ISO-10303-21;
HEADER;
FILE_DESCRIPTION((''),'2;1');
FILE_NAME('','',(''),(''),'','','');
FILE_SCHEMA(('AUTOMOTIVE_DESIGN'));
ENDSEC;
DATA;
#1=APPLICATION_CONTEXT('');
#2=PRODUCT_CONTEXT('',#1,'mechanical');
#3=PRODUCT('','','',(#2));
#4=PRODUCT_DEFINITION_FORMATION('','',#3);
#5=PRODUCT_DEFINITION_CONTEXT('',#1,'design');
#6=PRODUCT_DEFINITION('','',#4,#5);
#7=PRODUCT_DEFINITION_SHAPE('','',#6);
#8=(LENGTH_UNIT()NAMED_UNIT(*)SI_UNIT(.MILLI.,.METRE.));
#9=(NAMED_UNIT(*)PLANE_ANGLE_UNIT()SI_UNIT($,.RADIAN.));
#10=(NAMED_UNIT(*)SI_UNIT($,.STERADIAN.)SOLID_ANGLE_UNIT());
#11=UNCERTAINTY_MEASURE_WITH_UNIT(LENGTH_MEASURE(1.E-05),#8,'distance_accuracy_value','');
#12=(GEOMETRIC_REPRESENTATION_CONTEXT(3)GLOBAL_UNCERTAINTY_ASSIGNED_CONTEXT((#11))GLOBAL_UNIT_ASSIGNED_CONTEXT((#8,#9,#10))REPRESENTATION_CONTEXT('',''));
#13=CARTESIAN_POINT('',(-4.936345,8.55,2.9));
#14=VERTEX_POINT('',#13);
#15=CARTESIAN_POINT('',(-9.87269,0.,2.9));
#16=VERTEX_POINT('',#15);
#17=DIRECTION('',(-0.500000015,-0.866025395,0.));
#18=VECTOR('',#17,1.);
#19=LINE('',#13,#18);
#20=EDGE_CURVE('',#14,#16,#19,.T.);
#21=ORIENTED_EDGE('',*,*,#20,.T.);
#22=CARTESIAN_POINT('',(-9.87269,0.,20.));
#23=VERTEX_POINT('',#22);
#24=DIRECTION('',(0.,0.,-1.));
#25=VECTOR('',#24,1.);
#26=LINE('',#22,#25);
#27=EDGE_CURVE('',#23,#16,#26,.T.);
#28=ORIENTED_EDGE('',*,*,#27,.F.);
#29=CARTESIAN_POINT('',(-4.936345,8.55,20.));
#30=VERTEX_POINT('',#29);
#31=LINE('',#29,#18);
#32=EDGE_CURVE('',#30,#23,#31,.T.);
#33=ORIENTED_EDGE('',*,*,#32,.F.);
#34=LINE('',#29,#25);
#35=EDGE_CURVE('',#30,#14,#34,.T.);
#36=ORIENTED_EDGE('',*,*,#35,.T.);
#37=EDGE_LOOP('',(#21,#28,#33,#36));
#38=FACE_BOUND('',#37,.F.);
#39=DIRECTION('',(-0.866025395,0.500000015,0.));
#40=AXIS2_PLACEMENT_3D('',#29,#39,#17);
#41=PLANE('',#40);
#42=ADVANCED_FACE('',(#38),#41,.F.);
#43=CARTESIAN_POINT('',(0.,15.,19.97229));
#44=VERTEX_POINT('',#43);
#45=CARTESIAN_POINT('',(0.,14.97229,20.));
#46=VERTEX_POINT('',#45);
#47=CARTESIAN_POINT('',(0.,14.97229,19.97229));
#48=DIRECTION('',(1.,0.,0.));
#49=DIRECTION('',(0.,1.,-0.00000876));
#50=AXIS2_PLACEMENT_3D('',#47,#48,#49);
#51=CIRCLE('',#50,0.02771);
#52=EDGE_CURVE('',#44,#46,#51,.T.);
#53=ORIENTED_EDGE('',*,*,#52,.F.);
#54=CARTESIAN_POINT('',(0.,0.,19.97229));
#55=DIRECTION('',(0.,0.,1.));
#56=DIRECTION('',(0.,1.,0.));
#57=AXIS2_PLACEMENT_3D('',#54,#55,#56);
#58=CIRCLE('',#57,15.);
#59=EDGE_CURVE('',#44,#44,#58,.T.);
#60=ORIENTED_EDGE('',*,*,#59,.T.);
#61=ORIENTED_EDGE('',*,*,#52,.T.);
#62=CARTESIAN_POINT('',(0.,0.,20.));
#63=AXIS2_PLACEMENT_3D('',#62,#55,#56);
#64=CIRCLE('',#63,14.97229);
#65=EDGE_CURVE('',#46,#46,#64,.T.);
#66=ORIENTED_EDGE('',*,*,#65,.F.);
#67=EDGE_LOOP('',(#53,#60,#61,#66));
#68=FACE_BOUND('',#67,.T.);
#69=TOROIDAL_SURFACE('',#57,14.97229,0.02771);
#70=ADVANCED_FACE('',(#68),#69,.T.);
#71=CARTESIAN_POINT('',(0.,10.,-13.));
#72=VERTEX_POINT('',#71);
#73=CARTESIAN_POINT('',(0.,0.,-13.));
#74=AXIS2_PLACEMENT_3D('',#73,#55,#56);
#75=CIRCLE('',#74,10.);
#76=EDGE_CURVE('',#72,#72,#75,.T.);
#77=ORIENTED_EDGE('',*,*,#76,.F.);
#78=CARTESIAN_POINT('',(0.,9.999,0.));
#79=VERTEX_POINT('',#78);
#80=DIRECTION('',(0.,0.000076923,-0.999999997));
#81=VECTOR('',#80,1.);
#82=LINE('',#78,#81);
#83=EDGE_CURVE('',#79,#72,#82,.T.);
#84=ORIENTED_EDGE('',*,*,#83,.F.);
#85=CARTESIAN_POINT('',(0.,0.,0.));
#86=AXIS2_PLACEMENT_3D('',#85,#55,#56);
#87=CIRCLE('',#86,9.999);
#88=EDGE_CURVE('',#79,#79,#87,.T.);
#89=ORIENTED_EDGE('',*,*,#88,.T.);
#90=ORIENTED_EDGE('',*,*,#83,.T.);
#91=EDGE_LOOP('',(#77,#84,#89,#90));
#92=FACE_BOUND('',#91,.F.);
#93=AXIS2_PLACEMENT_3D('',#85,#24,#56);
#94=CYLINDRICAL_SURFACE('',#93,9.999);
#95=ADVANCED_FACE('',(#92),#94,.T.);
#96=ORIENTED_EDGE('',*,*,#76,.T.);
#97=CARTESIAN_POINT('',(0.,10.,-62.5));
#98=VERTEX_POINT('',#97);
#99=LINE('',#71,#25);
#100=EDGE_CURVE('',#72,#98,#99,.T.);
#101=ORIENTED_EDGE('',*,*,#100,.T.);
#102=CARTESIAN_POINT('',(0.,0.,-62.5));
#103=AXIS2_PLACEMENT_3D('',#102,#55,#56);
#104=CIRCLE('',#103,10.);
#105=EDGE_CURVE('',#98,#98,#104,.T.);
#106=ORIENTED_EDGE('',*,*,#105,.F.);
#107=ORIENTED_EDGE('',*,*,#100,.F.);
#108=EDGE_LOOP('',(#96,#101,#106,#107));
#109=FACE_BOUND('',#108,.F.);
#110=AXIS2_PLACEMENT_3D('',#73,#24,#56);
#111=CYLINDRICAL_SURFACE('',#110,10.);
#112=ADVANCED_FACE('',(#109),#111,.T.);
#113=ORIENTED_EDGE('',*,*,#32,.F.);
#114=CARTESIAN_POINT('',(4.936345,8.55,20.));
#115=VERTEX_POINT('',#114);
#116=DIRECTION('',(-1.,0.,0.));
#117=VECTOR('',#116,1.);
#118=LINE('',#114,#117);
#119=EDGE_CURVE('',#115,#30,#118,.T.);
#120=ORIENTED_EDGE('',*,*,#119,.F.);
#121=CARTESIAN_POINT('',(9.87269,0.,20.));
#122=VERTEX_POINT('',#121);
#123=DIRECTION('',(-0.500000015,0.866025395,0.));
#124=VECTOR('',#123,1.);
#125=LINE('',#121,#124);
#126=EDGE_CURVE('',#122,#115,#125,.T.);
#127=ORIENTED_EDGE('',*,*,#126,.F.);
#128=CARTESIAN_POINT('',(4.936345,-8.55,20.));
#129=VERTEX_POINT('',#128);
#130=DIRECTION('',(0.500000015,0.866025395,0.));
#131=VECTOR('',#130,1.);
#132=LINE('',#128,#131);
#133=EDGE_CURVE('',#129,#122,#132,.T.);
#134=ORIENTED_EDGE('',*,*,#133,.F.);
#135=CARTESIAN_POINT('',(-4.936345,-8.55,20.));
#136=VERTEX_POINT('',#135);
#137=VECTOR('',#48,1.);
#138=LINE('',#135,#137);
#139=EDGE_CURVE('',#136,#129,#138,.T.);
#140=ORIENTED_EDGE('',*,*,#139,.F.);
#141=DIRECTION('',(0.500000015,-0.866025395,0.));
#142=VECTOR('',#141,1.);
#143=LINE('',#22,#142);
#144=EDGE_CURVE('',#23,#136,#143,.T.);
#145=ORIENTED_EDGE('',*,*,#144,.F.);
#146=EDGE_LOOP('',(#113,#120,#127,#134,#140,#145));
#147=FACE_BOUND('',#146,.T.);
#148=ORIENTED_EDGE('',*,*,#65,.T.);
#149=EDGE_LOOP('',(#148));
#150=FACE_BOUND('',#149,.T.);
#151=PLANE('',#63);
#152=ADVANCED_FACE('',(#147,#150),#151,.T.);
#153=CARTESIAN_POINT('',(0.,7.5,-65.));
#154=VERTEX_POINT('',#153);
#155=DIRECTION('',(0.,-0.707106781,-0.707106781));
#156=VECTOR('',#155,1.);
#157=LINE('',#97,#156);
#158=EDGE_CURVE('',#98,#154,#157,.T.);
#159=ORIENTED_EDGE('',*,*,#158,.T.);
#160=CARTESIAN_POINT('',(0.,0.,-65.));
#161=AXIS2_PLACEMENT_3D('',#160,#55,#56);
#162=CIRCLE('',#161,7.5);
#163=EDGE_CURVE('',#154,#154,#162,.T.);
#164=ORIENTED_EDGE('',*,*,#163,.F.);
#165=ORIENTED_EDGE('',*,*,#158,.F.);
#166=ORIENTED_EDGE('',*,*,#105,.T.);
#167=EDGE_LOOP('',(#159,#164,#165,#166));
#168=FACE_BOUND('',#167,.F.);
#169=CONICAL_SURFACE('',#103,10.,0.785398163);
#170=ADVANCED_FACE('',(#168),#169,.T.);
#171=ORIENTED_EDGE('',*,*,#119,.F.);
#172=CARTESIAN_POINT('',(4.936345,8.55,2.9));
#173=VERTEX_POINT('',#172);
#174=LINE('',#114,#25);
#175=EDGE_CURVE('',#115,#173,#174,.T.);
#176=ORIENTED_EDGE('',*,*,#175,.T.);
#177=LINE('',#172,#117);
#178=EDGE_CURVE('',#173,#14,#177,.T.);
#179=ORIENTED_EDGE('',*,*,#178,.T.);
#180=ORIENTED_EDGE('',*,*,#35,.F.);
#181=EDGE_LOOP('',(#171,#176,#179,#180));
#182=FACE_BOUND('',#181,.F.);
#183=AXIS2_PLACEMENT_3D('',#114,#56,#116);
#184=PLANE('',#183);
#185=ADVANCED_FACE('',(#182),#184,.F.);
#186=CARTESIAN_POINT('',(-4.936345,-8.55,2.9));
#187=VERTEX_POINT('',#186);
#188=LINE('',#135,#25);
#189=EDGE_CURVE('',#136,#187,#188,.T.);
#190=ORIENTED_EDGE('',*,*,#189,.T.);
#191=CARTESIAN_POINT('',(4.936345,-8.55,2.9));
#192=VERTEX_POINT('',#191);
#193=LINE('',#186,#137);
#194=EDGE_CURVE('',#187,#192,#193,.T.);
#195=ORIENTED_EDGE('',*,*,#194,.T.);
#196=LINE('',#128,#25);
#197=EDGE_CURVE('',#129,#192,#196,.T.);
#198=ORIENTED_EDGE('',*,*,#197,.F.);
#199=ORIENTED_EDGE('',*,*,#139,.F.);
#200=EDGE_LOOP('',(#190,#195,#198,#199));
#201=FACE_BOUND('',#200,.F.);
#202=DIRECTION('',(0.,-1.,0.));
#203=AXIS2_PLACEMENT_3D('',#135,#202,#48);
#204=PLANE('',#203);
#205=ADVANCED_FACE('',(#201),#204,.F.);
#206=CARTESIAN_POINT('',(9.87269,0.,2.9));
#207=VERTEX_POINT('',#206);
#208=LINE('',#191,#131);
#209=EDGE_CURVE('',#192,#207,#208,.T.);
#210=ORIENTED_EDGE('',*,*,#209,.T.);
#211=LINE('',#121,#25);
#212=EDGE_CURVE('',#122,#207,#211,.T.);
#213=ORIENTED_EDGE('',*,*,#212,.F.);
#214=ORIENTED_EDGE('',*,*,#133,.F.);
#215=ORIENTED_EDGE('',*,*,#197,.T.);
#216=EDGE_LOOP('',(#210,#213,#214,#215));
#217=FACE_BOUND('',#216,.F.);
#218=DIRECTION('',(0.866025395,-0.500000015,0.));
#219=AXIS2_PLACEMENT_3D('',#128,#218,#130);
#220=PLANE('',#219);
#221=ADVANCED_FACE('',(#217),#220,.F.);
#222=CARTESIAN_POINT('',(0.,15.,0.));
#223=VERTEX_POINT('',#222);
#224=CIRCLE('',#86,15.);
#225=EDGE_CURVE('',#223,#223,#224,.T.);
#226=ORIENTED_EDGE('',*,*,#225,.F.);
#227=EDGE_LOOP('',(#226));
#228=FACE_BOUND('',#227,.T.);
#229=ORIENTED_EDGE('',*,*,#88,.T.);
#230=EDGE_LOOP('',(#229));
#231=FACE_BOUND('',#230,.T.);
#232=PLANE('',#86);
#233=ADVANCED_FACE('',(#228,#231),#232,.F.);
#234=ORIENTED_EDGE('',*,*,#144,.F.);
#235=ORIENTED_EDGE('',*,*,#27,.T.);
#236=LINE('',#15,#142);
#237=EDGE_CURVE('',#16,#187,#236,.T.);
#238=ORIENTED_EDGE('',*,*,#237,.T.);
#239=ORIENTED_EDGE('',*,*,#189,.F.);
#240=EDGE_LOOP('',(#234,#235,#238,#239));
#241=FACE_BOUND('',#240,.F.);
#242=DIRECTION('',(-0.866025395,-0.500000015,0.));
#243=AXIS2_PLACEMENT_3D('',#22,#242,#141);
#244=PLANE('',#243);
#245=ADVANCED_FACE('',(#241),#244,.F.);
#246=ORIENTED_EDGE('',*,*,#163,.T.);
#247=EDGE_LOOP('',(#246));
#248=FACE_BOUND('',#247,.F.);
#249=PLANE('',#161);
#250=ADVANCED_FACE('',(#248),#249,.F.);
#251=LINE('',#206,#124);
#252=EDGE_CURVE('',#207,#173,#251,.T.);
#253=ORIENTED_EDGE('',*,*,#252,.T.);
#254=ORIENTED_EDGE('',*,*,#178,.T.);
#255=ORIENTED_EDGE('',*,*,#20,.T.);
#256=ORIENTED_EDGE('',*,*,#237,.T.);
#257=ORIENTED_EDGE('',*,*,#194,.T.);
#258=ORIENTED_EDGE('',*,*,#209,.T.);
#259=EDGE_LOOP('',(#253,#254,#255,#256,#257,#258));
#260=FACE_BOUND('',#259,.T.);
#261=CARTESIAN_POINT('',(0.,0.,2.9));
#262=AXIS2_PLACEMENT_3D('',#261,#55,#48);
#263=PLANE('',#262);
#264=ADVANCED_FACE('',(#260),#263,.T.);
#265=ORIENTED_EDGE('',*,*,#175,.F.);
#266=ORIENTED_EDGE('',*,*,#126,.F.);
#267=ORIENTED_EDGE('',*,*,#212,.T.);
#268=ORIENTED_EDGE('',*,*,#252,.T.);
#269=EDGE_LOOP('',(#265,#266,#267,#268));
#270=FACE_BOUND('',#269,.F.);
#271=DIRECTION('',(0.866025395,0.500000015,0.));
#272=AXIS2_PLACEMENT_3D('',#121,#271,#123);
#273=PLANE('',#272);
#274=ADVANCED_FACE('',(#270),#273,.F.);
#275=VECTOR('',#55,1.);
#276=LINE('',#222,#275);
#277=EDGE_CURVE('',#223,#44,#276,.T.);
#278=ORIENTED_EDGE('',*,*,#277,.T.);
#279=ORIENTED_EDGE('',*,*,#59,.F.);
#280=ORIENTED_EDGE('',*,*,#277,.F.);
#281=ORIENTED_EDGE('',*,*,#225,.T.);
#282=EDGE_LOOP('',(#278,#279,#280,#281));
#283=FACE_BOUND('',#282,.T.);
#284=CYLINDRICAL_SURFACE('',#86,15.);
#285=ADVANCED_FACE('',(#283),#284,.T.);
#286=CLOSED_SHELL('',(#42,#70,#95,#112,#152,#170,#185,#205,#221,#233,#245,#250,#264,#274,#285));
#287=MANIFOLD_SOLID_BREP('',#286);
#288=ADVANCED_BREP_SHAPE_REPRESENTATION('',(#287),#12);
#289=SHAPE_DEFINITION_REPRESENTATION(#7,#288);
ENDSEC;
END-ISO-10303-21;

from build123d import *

# Parameters (mm, degrees)
POCKET_DEPTH = 17.1


with BuildPart() as part:
    # Sketch → Revolve (revolve)
    with BuildSketch(Plane.YZ):
        with BuildLine():
            Line((9.999, 0), (15, 0))
            Line((15, 0), (15, 19.97229))
            ThreePointArc((15, 19.97229), (14.991884, 19.991884), (14.97229, 20))
            Line((14.97229, 20), (0, 20))
            Line((0, -65), (0, 20))
            Line((7.5, -65), (0, -65))
            Line((10, -62.5), (7.5, -65))
            Line((10, -13), (10, -62.5))
            Line((9.999, 0), (10, -13))
        make_face()
    revolve(axis=Axis((0, 0, 0), (0, 0, 1)))

    # Sketch001 → Pocket (cut)
    with BuildSketch(Plane.XY.offset(20)):
        Polygon((9.87269, 0), (4.936345, 8.55), (-4.936345, 8.55), (-9.87269, 0), (-4.936345, -8.55), (4.936345, -8.55), align=None)
    extrude(amount=-POCKET_DEPTH, mode=Mode.SUBTRACT)


solid = part.part
